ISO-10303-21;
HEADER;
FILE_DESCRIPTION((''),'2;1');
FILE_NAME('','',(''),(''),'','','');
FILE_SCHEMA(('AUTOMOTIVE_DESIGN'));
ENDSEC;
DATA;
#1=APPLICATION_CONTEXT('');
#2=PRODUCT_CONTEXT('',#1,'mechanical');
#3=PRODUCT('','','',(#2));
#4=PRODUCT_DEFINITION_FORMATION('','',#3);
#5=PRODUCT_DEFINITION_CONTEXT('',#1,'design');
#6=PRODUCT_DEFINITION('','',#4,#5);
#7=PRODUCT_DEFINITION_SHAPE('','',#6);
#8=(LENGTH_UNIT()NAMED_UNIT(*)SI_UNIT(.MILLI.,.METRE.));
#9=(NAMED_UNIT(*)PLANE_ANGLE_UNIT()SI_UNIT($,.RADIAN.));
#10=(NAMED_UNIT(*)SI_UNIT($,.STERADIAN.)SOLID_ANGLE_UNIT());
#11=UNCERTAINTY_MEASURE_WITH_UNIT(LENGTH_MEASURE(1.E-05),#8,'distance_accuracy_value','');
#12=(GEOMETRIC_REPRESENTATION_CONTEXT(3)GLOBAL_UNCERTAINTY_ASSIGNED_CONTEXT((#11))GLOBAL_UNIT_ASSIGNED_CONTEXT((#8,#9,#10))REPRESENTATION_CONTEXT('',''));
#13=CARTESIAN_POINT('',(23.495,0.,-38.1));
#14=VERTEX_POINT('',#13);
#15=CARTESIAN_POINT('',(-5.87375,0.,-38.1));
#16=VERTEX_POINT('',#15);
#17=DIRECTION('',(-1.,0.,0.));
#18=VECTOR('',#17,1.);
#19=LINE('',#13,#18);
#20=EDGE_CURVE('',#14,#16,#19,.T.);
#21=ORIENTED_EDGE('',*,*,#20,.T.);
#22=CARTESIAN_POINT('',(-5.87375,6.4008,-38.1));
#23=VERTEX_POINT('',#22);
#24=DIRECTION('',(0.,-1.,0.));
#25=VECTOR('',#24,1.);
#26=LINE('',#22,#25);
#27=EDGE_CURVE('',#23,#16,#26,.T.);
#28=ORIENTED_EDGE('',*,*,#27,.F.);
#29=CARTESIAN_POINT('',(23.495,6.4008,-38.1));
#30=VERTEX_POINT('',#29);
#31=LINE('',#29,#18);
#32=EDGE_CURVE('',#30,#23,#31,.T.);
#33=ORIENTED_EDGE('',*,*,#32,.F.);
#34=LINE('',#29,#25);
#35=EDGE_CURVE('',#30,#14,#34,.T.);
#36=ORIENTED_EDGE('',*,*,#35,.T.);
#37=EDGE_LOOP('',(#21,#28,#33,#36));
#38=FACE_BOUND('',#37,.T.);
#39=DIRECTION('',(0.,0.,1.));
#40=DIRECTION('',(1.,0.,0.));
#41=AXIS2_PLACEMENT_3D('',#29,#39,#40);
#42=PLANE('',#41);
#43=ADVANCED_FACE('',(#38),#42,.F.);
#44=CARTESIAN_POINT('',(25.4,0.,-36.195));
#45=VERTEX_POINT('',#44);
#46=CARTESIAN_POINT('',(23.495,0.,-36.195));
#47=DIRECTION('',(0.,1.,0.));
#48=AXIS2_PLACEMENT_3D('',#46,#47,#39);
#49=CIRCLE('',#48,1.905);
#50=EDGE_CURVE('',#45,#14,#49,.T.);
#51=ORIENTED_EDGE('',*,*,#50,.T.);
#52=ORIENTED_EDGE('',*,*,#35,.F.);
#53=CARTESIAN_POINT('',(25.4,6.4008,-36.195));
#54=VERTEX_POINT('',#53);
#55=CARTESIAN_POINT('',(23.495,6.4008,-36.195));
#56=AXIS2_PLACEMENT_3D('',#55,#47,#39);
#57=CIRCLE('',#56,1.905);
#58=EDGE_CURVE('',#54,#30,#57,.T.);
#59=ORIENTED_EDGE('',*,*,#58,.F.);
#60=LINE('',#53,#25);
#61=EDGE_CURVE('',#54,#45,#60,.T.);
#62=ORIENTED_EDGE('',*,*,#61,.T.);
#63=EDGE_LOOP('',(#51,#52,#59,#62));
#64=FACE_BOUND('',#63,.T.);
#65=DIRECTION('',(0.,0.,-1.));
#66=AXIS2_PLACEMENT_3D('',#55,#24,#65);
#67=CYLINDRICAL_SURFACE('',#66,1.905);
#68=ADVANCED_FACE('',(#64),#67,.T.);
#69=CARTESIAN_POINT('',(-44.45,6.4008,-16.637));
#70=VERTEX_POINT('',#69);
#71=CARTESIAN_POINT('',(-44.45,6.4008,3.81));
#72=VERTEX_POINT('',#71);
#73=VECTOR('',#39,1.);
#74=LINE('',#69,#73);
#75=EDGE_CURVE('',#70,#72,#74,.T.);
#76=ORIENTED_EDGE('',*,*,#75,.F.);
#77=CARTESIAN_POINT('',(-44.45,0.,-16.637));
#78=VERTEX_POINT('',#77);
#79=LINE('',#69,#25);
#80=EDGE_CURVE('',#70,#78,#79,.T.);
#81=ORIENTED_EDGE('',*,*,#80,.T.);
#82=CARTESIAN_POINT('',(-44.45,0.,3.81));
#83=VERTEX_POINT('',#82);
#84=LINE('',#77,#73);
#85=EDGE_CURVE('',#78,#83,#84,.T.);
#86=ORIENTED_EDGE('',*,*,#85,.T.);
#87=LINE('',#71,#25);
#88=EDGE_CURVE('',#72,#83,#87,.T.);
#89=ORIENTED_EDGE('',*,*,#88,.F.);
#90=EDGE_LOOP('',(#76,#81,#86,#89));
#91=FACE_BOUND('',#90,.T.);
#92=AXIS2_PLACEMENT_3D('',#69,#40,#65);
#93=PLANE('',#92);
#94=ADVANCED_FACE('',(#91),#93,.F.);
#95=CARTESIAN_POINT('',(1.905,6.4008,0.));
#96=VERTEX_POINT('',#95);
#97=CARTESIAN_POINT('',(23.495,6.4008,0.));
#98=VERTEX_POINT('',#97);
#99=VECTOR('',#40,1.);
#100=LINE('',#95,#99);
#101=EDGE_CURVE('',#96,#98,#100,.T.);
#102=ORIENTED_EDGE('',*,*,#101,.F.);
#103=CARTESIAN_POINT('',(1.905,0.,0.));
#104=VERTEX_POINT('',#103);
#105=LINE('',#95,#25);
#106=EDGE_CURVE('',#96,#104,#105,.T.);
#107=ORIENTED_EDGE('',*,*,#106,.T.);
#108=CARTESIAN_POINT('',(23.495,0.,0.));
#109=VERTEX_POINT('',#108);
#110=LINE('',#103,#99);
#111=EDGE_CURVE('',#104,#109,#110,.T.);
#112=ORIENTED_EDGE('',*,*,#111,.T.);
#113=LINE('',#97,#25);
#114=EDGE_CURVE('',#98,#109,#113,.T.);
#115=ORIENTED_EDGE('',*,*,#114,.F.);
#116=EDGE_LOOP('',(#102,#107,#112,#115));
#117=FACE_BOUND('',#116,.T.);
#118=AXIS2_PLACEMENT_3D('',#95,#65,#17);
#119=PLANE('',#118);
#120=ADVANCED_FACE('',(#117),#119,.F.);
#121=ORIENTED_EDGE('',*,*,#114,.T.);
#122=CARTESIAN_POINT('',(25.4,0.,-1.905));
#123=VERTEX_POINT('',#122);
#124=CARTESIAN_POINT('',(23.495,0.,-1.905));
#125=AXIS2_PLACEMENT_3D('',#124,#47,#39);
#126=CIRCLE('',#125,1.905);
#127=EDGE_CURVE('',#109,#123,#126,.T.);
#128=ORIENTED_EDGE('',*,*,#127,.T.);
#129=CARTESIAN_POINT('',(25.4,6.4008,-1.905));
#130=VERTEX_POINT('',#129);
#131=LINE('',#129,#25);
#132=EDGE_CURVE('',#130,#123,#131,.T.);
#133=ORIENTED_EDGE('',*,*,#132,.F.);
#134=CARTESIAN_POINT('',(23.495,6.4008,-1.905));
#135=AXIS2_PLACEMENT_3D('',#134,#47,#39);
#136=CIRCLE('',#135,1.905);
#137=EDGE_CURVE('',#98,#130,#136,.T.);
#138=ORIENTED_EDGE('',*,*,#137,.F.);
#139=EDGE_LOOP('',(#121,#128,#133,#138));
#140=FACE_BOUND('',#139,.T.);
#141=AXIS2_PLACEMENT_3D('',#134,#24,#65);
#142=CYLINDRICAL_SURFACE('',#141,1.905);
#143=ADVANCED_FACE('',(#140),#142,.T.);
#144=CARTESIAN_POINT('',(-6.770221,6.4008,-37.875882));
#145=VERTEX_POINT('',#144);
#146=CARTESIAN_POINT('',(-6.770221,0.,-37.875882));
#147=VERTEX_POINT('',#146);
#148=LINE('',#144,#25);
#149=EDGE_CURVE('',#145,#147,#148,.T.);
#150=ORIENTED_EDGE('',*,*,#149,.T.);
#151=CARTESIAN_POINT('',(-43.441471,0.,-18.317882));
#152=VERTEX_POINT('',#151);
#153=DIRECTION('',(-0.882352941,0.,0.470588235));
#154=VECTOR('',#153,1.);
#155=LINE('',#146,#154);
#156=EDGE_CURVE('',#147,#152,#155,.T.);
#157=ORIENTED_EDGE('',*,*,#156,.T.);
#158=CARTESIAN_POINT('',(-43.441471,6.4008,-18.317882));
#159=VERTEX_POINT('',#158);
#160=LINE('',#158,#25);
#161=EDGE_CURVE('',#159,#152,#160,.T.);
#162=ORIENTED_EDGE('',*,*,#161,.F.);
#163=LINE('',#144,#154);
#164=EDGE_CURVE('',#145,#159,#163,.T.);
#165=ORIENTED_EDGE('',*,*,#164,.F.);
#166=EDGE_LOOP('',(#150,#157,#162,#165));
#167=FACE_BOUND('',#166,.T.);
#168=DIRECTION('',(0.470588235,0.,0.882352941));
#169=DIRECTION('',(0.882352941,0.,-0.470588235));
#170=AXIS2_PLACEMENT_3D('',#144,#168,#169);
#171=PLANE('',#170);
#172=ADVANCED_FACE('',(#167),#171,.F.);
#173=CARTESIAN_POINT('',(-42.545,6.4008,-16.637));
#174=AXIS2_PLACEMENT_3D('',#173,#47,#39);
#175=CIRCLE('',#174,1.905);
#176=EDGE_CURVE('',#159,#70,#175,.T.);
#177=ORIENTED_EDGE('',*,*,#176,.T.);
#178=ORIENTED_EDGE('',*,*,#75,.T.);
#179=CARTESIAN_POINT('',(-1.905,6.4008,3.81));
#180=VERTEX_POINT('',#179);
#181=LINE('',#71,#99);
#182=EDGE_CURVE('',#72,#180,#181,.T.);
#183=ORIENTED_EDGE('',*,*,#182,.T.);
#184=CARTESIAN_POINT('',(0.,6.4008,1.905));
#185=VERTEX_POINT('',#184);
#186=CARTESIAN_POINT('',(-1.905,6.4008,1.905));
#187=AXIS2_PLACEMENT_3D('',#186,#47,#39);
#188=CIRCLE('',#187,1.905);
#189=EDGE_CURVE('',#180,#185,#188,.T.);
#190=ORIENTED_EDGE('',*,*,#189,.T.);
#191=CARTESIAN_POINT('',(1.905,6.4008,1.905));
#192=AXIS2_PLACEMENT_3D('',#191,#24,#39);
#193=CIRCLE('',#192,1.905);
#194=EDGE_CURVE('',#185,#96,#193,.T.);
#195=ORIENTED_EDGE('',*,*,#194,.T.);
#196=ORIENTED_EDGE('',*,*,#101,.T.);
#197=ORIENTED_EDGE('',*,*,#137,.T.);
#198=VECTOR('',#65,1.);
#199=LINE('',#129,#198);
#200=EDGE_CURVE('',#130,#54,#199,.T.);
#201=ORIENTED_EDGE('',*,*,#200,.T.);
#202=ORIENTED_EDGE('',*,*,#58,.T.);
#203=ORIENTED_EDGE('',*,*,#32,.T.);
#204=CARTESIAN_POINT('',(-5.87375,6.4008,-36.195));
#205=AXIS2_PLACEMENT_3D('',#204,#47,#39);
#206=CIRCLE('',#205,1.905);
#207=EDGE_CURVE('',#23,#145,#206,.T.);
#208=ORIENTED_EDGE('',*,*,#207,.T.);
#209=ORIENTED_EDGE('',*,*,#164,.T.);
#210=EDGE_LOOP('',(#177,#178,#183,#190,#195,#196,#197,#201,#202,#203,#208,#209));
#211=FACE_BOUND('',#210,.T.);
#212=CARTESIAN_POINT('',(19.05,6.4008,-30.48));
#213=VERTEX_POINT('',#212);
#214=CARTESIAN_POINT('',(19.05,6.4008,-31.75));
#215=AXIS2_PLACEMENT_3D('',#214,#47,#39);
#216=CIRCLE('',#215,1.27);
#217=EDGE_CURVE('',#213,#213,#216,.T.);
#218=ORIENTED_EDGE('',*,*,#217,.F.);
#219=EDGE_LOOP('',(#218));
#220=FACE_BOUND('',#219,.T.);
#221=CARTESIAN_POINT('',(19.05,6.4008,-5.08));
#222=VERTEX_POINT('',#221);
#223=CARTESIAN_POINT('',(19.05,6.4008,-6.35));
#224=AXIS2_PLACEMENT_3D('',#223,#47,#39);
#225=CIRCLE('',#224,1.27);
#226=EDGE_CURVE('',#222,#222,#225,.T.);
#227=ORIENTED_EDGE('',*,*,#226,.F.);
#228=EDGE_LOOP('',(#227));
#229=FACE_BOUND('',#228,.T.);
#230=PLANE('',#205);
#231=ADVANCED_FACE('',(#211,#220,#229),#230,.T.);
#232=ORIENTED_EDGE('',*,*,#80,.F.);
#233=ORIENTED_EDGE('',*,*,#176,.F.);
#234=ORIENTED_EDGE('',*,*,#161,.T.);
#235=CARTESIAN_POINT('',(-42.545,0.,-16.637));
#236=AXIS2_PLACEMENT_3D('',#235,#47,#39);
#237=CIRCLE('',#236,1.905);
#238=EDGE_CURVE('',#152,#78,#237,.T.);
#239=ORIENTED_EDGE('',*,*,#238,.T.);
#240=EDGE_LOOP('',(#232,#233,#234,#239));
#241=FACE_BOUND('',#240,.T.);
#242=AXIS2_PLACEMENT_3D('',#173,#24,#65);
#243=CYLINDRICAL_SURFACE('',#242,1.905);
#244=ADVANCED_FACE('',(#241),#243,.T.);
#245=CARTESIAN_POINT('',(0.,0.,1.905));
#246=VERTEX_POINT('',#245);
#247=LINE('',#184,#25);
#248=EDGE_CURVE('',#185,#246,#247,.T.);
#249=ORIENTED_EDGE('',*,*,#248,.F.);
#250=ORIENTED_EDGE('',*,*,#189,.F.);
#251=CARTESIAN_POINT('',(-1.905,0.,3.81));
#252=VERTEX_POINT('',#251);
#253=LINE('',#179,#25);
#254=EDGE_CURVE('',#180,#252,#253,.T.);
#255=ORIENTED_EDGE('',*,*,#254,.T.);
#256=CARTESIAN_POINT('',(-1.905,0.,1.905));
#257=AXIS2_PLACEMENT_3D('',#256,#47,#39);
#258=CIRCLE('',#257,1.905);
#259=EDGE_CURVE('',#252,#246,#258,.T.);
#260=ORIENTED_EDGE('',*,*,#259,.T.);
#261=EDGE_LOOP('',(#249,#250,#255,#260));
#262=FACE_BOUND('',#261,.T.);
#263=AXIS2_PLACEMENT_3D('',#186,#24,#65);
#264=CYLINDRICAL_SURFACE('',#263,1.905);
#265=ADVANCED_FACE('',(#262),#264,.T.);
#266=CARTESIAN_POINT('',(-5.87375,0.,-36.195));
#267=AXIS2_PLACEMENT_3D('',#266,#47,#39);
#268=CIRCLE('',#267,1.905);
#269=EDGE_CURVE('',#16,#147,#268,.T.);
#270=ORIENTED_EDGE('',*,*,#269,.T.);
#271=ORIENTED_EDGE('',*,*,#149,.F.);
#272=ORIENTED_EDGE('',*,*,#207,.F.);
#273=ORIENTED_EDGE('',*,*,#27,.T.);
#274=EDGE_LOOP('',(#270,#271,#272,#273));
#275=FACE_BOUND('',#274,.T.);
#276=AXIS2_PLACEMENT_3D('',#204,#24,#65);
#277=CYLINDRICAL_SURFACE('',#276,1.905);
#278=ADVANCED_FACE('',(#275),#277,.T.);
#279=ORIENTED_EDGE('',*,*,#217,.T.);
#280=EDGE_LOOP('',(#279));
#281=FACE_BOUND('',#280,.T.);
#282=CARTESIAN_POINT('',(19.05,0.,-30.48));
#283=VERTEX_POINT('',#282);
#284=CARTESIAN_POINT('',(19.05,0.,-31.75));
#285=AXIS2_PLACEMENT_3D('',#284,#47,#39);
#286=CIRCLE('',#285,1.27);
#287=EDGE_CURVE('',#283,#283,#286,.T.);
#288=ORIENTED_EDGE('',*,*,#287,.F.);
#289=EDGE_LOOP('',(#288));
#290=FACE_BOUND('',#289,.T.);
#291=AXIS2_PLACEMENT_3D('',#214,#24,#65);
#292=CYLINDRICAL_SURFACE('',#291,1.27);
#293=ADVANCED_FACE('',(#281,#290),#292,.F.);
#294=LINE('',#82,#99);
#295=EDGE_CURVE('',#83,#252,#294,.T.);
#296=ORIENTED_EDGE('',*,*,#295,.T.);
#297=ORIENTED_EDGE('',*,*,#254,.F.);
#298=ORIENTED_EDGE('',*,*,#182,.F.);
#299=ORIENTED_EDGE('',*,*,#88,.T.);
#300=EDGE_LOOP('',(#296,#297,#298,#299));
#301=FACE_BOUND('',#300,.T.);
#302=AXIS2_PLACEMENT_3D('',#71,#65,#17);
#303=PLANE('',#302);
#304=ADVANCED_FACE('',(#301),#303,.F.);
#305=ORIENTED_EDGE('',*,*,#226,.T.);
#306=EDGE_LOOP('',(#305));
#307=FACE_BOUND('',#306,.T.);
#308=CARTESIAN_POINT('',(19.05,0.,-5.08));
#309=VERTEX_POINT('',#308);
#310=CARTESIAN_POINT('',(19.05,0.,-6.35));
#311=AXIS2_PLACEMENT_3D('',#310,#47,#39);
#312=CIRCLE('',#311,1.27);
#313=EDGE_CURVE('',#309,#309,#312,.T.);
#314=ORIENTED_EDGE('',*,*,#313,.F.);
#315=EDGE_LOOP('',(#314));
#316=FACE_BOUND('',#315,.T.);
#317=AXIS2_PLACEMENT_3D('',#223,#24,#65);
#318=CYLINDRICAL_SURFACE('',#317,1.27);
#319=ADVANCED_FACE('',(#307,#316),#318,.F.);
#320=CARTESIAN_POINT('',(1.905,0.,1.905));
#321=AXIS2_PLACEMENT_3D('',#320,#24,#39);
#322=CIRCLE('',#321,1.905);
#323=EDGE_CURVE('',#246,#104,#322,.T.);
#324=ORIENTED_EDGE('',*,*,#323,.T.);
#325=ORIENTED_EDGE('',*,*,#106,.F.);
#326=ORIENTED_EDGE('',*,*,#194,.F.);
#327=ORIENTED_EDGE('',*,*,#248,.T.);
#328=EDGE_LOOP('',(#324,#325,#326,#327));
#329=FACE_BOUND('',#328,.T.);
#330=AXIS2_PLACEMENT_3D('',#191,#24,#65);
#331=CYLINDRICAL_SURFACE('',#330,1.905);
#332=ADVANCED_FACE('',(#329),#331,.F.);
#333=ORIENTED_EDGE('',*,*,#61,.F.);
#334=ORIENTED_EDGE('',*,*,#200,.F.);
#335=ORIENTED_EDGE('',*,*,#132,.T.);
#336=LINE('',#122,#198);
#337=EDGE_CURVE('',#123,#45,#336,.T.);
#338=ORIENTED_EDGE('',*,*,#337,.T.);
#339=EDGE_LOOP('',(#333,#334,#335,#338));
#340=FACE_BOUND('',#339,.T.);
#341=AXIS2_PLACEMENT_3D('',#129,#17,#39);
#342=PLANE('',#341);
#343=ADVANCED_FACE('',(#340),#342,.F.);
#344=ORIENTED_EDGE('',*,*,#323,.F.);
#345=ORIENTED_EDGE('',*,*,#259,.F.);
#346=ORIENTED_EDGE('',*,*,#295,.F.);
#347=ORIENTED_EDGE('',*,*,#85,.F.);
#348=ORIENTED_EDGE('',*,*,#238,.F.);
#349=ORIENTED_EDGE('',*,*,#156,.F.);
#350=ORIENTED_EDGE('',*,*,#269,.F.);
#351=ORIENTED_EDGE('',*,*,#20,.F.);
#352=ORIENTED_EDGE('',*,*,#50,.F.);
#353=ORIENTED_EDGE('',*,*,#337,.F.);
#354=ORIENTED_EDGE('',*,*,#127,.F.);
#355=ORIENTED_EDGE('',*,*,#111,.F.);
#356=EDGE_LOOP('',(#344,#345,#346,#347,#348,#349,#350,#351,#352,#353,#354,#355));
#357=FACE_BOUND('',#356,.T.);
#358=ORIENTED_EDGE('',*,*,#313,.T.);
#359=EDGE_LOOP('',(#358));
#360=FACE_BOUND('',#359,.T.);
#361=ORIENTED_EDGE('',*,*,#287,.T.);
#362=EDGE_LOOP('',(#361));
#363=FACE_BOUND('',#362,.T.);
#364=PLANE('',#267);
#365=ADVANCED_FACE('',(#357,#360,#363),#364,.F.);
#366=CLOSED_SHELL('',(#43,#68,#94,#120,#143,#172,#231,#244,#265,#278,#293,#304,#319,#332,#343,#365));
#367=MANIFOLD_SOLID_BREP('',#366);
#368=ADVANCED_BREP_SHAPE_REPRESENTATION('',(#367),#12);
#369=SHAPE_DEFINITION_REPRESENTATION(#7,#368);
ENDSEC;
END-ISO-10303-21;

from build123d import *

# Parameters (mm, degrees)
SKETCH1_R           = 1.27
BOSS_EXTRUDE1_DEPTH = 6.4008


with BuildPart() as part:
    # Sketch1 → Boss-Extrude1 (new body)
    with BuildSketch(Plane(origin=(0, 0, 0), x_dir=(1, 0, 0), z_dir=(0, 1, 0))):
        with BuildLine():
            Line((1.905, 0), (23.495, 0))
            ThreePointArc((23.495, 0), (24.842038418, 0.557961582), (25.4, 1.905))
            Line((25.4, 1.905), (25.4, 36.195))
            ThreePointArc((25.4, 36.195), (24.842038418, 37.542038418), (23.495, 38.1))
            Line((23.495, 38.1), (-5.87375, 38.1))
            ThreePointArc((-5.87375, 38.1), (-6.335780366, 38.043121463), (-6.770220588, 37.875882353))
            Line((-6.770220588, 37.875882353), (-43.441470588, 18.317882353))
            ThreePointArc((-43.441470588, 18.317882353), (-44.178524023, 17.617114414), (-44.45, 16.637))
            Line((-44.45, 16.637), (-44.45, -3.81))
            Line((-44.45, -3.81), (-1.905, -3.81))
            ThreePointArc((-1.905, -3.81), (-0.557961582, -3.252038418), (0, -1.905))
            ThreePointArc((0, -1.905), (0.557961582, -0.557961582), (1.905, 0))
        make_face()
        with Locations(Location((19.05, 31.75, 0), (0, 0, 270))):
            Circle(SKETCH1_R, mode=Mode.SUBTRACT)
        with Locations(Location((19.05, 6.35, 0), (0, 0, 270))):
            Circle(SKETCH1_R, mode=Mode.SUBTRACT)
    extrude(amount=BOSS_EXTRUDE1_DEPTH)


solid = part.part
